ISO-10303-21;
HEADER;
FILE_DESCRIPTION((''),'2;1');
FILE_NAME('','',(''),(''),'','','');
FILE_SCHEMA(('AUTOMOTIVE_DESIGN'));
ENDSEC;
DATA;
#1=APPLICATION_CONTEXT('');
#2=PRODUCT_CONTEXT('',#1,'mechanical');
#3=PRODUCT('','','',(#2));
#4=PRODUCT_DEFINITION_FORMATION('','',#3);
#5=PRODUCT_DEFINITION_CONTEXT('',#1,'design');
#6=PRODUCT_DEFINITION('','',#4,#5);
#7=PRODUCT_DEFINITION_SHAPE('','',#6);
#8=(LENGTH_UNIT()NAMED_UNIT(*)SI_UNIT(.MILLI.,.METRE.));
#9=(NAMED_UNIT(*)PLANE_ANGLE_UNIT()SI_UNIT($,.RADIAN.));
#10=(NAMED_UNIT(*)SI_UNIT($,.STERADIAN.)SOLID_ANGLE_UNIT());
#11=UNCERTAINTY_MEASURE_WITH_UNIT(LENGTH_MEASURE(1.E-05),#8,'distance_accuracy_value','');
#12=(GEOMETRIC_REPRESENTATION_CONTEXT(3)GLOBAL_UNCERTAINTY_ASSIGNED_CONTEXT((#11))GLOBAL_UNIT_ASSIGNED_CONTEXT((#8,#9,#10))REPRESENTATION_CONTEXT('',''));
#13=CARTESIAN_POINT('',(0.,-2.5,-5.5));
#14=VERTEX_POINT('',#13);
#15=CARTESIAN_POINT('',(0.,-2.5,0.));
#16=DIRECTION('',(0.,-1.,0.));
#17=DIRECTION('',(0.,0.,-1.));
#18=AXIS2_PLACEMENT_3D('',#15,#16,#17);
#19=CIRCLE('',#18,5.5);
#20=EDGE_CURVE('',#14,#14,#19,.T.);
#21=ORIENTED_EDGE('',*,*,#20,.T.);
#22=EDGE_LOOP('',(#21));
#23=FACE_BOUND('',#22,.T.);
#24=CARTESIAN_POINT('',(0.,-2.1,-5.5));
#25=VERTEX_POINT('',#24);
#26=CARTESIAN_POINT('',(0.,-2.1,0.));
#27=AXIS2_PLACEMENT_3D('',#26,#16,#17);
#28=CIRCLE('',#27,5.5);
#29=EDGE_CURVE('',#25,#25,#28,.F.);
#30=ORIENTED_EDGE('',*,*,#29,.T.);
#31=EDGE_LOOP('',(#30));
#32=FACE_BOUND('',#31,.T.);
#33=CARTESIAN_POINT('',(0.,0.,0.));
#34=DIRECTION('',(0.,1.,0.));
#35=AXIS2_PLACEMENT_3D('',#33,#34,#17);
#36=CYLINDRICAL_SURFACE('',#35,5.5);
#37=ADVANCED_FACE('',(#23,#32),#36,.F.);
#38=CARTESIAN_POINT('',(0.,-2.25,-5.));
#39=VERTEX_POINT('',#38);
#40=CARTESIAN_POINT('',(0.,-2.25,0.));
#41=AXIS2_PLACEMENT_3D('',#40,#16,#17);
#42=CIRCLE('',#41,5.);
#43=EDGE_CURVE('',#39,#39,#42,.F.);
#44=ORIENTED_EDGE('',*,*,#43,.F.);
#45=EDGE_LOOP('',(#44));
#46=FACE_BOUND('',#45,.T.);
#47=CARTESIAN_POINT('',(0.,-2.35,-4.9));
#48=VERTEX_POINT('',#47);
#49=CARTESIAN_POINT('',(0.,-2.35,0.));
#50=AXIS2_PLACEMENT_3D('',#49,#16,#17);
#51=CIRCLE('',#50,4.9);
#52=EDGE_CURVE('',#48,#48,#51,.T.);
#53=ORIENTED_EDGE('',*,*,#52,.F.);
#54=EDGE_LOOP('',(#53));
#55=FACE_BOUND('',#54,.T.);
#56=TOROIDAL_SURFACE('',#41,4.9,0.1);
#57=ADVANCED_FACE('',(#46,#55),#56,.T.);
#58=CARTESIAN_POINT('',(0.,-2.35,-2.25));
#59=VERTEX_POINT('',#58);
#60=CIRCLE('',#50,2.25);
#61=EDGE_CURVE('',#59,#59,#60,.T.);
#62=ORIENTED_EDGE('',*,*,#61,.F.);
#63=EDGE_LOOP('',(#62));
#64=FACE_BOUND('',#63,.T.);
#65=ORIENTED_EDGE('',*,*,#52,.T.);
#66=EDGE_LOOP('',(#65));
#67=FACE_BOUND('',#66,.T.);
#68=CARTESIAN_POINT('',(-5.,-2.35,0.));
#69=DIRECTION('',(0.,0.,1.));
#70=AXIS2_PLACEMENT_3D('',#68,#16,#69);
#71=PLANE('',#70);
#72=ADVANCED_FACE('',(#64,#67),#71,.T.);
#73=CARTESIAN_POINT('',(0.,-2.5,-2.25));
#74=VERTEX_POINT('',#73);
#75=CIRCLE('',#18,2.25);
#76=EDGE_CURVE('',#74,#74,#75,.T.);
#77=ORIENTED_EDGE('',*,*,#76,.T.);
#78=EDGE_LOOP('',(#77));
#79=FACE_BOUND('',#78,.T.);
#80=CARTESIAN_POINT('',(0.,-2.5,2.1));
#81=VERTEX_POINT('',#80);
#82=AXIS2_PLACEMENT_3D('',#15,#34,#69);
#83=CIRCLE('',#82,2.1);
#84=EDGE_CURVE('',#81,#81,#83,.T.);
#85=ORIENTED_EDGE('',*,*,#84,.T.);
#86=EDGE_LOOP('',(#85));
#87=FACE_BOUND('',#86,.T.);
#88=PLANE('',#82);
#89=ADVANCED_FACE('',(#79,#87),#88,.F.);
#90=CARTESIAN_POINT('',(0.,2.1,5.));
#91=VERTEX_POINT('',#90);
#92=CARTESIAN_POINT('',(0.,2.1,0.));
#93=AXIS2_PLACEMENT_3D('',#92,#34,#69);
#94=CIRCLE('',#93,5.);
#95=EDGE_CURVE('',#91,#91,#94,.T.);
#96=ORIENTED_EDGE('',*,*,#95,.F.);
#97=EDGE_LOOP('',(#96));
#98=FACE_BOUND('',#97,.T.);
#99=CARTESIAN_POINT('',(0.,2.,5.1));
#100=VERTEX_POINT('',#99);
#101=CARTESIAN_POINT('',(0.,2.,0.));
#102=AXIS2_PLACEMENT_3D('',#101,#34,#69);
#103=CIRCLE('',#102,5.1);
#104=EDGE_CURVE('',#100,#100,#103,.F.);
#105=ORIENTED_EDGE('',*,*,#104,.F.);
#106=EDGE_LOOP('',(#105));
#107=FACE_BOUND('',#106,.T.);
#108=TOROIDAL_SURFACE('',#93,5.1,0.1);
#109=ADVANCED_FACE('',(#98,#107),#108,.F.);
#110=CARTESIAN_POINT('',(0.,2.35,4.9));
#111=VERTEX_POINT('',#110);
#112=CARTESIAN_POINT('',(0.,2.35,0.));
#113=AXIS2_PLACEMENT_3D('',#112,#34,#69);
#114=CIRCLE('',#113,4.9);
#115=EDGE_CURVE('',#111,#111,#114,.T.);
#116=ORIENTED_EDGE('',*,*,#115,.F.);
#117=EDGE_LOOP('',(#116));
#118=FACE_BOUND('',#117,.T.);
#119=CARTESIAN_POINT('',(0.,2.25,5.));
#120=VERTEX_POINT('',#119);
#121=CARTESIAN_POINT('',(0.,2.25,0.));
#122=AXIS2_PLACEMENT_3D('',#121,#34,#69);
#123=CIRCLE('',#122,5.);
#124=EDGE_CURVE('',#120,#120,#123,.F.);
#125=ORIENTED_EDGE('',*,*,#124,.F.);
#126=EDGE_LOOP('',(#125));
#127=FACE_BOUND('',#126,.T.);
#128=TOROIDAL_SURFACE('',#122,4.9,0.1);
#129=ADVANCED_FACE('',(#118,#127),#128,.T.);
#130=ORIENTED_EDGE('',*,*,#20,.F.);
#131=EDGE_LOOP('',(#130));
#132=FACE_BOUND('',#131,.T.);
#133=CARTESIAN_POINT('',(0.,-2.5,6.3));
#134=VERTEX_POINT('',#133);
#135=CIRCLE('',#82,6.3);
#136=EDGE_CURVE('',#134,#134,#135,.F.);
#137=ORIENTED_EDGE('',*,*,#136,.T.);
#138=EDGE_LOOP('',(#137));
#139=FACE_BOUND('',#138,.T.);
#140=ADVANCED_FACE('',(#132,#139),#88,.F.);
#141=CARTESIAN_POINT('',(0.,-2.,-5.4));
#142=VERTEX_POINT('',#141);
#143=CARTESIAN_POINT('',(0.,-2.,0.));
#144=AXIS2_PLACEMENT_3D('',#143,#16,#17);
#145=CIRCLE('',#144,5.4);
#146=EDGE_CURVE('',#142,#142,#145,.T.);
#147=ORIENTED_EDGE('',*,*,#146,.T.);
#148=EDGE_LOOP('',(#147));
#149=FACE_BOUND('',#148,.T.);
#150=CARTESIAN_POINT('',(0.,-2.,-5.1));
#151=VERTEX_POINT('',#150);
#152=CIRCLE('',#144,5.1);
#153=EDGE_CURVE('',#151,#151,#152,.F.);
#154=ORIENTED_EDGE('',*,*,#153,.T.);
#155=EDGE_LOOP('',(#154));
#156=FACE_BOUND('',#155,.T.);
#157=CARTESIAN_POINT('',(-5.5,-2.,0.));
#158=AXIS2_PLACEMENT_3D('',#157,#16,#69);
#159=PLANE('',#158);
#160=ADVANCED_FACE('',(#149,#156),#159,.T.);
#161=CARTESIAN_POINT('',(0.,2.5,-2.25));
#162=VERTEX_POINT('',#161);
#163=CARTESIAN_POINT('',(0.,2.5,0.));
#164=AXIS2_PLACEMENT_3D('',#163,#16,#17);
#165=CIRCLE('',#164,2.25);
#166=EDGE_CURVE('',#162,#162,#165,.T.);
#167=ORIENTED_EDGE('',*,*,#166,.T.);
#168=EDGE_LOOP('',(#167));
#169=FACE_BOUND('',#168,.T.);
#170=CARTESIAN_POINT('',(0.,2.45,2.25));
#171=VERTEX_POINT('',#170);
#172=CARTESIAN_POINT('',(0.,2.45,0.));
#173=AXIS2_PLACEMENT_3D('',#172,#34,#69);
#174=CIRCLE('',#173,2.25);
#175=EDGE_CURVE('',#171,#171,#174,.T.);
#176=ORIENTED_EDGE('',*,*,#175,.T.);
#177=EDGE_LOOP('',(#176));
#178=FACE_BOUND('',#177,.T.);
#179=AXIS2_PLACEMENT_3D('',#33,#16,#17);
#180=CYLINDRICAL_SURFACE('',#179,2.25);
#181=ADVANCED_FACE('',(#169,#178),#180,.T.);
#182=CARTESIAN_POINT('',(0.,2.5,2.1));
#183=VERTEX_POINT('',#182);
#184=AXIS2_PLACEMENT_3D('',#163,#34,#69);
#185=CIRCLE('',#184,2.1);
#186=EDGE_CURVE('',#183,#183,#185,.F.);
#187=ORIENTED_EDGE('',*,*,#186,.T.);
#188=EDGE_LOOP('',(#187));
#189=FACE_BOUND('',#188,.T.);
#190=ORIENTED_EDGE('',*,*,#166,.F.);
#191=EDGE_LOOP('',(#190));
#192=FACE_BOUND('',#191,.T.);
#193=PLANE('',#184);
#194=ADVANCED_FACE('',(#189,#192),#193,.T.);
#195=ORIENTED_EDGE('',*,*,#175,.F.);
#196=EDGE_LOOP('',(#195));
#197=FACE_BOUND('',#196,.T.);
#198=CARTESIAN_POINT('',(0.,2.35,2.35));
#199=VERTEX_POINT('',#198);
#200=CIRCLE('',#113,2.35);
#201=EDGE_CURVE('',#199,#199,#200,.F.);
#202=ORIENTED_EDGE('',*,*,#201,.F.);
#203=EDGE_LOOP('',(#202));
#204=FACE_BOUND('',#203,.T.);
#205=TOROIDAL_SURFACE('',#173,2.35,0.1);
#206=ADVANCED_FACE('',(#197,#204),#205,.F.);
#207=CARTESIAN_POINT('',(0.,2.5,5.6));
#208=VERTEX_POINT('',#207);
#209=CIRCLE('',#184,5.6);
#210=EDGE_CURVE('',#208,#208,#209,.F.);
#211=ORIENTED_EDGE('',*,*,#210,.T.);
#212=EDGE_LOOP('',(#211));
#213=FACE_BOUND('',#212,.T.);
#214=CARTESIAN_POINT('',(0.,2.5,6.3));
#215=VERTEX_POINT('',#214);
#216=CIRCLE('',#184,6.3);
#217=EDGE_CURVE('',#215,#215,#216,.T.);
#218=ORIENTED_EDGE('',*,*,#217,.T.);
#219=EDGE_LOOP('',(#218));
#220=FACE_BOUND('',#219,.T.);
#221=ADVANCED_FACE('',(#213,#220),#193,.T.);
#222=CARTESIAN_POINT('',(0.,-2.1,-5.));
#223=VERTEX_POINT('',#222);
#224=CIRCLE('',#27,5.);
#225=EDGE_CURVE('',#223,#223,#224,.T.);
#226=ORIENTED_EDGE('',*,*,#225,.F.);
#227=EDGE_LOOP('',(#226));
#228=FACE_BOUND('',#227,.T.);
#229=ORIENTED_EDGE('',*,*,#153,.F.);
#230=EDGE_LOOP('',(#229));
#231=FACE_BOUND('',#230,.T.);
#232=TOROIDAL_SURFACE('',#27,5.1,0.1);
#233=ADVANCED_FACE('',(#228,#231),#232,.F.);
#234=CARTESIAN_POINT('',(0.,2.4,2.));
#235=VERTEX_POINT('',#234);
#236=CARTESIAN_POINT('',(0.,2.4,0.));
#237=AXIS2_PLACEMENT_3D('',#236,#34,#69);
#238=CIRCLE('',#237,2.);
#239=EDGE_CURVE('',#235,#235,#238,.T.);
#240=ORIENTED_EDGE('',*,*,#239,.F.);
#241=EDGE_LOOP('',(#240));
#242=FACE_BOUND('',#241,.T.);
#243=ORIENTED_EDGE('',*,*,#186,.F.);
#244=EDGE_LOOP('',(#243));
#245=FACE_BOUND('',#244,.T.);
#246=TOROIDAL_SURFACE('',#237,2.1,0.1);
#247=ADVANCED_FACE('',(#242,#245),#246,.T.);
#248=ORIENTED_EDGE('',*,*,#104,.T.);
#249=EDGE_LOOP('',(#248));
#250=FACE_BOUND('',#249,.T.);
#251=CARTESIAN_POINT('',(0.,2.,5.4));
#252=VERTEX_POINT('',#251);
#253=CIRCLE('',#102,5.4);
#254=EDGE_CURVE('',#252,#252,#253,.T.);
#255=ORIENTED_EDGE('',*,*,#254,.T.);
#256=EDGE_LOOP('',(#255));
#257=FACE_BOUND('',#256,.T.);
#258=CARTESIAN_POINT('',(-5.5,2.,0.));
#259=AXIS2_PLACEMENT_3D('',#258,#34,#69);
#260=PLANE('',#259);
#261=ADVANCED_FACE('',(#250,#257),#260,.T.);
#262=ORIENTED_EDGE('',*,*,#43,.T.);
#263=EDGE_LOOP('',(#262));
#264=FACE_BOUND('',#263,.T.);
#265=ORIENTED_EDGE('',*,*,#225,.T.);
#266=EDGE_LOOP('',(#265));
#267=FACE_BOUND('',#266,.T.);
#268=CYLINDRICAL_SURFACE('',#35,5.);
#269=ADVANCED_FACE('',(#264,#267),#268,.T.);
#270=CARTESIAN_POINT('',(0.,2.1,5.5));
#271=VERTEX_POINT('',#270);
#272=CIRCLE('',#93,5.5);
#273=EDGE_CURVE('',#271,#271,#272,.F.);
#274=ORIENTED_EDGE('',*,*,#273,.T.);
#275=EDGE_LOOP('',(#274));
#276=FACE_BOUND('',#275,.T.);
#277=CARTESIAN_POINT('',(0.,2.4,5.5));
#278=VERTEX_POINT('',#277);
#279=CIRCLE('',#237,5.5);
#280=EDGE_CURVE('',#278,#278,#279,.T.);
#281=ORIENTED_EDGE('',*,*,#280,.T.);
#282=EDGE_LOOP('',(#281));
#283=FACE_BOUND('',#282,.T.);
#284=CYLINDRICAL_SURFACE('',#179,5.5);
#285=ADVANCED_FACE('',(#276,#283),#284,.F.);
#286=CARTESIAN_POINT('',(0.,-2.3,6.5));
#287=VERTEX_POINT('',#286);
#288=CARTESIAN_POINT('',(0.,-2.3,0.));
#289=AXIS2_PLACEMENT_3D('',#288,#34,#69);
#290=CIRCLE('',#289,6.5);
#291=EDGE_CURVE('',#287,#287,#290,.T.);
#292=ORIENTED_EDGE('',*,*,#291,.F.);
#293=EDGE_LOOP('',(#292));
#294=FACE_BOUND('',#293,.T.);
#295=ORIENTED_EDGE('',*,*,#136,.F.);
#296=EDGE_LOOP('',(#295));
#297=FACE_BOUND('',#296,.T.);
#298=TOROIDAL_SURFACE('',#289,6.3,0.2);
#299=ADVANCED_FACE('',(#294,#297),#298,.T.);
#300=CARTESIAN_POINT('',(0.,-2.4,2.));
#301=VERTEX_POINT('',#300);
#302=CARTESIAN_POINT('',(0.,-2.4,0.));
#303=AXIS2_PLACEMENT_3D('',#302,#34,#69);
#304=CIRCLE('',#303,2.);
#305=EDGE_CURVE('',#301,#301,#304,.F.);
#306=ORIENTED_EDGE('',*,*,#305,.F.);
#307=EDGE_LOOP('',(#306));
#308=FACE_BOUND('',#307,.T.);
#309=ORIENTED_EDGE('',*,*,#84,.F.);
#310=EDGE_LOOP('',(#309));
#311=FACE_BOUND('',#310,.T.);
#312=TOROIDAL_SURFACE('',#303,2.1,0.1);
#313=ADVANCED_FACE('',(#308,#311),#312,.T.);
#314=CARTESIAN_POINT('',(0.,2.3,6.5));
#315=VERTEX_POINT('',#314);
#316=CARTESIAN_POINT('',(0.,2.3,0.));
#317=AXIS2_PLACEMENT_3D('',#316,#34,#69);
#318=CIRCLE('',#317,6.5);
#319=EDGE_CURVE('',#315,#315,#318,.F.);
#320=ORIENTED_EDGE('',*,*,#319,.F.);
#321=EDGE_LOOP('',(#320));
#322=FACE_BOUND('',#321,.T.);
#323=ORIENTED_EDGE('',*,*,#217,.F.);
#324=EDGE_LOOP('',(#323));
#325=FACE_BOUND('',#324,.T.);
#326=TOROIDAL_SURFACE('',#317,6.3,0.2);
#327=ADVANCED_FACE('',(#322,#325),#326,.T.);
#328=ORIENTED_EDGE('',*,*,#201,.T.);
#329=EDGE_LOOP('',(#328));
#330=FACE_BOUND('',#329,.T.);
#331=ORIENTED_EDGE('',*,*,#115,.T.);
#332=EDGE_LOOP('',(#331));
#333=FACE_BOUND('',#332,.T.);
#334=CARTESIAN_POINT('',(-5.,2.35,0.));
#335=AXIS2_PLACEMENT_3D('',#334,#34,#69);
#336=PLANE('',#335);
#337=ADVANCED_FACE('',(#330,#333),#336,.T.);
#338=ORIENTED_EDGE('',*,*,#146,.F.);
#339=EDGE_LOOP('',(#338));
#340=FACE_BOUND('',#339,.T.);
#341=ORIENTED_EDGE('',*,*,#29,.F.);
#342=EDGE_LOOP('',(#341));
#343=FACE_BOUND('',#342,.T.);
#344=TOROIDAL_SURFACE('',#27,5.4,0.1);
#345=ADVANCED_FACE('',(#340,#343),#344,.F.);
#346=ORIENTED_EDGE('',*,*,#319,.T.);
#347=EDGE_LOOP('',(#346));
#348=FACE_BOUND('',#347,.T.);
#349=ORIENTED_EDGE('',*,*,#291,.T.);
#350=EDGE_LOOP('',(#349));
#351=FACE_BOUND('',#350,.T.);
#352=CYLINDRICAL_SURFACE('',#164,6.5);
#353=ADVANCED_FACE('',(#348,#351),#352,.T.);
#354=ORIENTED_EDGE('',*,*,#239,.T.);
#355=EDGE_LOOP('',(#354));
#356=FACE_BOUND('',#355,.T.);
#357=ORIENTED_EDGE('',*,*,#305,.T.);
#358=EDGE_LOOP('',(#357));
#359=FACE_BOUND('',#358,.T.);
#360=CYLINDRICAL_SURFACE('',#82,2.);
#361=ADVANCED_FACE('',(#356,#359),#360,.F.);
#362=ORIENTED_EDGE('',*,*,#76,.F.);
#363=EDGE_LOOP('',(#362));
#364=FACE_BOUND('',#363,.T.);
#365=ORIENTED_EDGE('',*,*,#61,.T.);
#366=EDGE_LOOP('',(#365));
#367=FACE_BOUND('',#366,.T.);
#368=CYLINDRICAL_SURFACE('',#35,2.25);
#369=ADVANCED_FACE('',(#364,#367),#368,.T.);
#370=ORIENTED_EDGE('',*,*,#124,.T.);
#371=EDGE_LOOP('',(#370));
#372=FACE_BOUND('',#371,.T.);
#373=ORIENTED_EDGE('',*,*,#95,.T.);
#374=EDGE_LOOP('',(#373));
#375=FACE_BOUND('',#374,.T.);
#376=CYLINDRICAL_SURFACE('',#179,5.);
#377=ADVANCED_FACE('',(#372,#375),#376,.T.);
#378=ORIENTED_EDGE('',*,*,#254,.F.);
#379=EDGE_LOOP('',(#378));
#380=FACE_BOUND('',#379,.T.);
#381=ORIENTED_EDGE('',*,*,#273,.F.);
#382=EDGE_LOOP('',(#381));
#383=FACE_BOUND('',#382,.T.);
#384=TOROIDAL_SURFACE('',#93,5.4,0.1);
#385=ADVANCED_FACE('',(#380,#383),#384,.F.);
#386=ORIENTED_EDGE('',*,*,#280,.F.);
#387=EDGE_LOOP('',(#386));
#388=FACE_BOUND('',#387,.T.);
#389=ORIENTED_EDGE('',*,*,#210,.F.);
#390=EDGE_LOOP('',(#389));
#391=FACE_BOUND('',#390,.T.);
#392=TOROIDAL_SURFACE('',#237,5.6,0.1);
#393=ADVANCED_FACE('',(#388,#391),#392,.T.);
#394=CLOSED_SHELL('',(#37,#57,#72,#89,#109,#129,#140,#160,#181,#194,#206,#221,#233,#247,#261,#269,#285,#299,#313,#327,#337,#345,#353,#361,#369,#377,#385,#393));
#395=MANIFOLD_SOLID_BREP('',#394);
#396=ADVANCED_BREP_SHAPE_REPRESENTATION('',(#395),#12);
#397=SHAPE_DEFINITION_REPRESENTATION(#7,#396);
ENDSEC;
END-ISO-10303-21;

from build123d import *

# Parameters (mm, degrees)
SKETCH1_R           = 6.5
BOSS_EXTRUDE1_DEPTH = 2.5
SKETCH2_R           = 2
CUT_EXTRUDE1_DEPTH  = 5
FILLET1_R           = 0.2
FILLET3_R           = 0.1


with BuildPart() as part:
    # Sketch1 → Boss-Extrude1 (new, symmetric)
    with BuildSketch(Plane(origin=(0, 0, 0), x_dir=(1, 0, 0), z_dir=(0, 1, 0))):
        with Locations(Location((0, 0, 0), (0, 0, 270))):
            Circle(SKETCH1_R)
    extrude(amount=BOSS_EXTRUDE1_DEPTH, both=True)

    # Sketch2 → Cut-Extrude1 (cut)
    with BuildSketch(Plane(origin=(0, 2.5, 0), x_dir=(1, 0, 0), z_dir=(0, 1, 0))):
        with Locations(Location((0, 0, 0), (0, 0, 270))):
            Circle(SKETCH2_R)
    extrude(amount=-CUT_EXTRUDE1_DEPTH, mode=Mode.SUBTRACT)

    # Fillet1
    fillet1_edges = [part.edges().sort_by_distance(p)[0] for p in [
        (0, -2.5, -6.5),
        (0, 2.5, -6.5),
    ]]
    fillet(fillet1_edges, radius=FILLET1_R)

    # Sketch4 → Cut-Revolve1 (revolve, cut)
    with BuildSketch(Plane.XY, mode=Mode.PRIVATE) as cut_revolve1_sk:
        Polygon((-5.5, 2.5), (-5.5, 2), (-5, 2), (-5, 2.35), (-2.25, 2.35), (-2.25, 2.5), align=None)
    cut_revolve1 = revolve(cut_revolve1_sk.sketch.rotate(Axis((0, 0, 0), (0, 1, 0)), 270), axis=Axis((0, 0, 0), (0, 1, 0)), mode=Mode.SUBTRACT)

    # Mirror1: Cut-Revolve1 across plane
    add(cut_revolve1.mirror(Plane.ZX), mode=Mode.SUBTRACT)

    # Fillet3
    fillet3_edges = [part.edges().sort_by_distance(p)[0] for p in [
        (0, 2.5, 5.5),
        (0, 2, 5.5),
        (0, 2, 5),
        (0, 2.35, 5),
        (0, 2.35, 2.25),
        (0, -2, 5.5),
        (0, -2, 5),
        (0, -2.35, 5),
        (0, -2.5, -2),
        (0, 2.5, -2),
    ]]
    fillet(fillet3_edges, radius=FILLET3_R)


solid = part.part
